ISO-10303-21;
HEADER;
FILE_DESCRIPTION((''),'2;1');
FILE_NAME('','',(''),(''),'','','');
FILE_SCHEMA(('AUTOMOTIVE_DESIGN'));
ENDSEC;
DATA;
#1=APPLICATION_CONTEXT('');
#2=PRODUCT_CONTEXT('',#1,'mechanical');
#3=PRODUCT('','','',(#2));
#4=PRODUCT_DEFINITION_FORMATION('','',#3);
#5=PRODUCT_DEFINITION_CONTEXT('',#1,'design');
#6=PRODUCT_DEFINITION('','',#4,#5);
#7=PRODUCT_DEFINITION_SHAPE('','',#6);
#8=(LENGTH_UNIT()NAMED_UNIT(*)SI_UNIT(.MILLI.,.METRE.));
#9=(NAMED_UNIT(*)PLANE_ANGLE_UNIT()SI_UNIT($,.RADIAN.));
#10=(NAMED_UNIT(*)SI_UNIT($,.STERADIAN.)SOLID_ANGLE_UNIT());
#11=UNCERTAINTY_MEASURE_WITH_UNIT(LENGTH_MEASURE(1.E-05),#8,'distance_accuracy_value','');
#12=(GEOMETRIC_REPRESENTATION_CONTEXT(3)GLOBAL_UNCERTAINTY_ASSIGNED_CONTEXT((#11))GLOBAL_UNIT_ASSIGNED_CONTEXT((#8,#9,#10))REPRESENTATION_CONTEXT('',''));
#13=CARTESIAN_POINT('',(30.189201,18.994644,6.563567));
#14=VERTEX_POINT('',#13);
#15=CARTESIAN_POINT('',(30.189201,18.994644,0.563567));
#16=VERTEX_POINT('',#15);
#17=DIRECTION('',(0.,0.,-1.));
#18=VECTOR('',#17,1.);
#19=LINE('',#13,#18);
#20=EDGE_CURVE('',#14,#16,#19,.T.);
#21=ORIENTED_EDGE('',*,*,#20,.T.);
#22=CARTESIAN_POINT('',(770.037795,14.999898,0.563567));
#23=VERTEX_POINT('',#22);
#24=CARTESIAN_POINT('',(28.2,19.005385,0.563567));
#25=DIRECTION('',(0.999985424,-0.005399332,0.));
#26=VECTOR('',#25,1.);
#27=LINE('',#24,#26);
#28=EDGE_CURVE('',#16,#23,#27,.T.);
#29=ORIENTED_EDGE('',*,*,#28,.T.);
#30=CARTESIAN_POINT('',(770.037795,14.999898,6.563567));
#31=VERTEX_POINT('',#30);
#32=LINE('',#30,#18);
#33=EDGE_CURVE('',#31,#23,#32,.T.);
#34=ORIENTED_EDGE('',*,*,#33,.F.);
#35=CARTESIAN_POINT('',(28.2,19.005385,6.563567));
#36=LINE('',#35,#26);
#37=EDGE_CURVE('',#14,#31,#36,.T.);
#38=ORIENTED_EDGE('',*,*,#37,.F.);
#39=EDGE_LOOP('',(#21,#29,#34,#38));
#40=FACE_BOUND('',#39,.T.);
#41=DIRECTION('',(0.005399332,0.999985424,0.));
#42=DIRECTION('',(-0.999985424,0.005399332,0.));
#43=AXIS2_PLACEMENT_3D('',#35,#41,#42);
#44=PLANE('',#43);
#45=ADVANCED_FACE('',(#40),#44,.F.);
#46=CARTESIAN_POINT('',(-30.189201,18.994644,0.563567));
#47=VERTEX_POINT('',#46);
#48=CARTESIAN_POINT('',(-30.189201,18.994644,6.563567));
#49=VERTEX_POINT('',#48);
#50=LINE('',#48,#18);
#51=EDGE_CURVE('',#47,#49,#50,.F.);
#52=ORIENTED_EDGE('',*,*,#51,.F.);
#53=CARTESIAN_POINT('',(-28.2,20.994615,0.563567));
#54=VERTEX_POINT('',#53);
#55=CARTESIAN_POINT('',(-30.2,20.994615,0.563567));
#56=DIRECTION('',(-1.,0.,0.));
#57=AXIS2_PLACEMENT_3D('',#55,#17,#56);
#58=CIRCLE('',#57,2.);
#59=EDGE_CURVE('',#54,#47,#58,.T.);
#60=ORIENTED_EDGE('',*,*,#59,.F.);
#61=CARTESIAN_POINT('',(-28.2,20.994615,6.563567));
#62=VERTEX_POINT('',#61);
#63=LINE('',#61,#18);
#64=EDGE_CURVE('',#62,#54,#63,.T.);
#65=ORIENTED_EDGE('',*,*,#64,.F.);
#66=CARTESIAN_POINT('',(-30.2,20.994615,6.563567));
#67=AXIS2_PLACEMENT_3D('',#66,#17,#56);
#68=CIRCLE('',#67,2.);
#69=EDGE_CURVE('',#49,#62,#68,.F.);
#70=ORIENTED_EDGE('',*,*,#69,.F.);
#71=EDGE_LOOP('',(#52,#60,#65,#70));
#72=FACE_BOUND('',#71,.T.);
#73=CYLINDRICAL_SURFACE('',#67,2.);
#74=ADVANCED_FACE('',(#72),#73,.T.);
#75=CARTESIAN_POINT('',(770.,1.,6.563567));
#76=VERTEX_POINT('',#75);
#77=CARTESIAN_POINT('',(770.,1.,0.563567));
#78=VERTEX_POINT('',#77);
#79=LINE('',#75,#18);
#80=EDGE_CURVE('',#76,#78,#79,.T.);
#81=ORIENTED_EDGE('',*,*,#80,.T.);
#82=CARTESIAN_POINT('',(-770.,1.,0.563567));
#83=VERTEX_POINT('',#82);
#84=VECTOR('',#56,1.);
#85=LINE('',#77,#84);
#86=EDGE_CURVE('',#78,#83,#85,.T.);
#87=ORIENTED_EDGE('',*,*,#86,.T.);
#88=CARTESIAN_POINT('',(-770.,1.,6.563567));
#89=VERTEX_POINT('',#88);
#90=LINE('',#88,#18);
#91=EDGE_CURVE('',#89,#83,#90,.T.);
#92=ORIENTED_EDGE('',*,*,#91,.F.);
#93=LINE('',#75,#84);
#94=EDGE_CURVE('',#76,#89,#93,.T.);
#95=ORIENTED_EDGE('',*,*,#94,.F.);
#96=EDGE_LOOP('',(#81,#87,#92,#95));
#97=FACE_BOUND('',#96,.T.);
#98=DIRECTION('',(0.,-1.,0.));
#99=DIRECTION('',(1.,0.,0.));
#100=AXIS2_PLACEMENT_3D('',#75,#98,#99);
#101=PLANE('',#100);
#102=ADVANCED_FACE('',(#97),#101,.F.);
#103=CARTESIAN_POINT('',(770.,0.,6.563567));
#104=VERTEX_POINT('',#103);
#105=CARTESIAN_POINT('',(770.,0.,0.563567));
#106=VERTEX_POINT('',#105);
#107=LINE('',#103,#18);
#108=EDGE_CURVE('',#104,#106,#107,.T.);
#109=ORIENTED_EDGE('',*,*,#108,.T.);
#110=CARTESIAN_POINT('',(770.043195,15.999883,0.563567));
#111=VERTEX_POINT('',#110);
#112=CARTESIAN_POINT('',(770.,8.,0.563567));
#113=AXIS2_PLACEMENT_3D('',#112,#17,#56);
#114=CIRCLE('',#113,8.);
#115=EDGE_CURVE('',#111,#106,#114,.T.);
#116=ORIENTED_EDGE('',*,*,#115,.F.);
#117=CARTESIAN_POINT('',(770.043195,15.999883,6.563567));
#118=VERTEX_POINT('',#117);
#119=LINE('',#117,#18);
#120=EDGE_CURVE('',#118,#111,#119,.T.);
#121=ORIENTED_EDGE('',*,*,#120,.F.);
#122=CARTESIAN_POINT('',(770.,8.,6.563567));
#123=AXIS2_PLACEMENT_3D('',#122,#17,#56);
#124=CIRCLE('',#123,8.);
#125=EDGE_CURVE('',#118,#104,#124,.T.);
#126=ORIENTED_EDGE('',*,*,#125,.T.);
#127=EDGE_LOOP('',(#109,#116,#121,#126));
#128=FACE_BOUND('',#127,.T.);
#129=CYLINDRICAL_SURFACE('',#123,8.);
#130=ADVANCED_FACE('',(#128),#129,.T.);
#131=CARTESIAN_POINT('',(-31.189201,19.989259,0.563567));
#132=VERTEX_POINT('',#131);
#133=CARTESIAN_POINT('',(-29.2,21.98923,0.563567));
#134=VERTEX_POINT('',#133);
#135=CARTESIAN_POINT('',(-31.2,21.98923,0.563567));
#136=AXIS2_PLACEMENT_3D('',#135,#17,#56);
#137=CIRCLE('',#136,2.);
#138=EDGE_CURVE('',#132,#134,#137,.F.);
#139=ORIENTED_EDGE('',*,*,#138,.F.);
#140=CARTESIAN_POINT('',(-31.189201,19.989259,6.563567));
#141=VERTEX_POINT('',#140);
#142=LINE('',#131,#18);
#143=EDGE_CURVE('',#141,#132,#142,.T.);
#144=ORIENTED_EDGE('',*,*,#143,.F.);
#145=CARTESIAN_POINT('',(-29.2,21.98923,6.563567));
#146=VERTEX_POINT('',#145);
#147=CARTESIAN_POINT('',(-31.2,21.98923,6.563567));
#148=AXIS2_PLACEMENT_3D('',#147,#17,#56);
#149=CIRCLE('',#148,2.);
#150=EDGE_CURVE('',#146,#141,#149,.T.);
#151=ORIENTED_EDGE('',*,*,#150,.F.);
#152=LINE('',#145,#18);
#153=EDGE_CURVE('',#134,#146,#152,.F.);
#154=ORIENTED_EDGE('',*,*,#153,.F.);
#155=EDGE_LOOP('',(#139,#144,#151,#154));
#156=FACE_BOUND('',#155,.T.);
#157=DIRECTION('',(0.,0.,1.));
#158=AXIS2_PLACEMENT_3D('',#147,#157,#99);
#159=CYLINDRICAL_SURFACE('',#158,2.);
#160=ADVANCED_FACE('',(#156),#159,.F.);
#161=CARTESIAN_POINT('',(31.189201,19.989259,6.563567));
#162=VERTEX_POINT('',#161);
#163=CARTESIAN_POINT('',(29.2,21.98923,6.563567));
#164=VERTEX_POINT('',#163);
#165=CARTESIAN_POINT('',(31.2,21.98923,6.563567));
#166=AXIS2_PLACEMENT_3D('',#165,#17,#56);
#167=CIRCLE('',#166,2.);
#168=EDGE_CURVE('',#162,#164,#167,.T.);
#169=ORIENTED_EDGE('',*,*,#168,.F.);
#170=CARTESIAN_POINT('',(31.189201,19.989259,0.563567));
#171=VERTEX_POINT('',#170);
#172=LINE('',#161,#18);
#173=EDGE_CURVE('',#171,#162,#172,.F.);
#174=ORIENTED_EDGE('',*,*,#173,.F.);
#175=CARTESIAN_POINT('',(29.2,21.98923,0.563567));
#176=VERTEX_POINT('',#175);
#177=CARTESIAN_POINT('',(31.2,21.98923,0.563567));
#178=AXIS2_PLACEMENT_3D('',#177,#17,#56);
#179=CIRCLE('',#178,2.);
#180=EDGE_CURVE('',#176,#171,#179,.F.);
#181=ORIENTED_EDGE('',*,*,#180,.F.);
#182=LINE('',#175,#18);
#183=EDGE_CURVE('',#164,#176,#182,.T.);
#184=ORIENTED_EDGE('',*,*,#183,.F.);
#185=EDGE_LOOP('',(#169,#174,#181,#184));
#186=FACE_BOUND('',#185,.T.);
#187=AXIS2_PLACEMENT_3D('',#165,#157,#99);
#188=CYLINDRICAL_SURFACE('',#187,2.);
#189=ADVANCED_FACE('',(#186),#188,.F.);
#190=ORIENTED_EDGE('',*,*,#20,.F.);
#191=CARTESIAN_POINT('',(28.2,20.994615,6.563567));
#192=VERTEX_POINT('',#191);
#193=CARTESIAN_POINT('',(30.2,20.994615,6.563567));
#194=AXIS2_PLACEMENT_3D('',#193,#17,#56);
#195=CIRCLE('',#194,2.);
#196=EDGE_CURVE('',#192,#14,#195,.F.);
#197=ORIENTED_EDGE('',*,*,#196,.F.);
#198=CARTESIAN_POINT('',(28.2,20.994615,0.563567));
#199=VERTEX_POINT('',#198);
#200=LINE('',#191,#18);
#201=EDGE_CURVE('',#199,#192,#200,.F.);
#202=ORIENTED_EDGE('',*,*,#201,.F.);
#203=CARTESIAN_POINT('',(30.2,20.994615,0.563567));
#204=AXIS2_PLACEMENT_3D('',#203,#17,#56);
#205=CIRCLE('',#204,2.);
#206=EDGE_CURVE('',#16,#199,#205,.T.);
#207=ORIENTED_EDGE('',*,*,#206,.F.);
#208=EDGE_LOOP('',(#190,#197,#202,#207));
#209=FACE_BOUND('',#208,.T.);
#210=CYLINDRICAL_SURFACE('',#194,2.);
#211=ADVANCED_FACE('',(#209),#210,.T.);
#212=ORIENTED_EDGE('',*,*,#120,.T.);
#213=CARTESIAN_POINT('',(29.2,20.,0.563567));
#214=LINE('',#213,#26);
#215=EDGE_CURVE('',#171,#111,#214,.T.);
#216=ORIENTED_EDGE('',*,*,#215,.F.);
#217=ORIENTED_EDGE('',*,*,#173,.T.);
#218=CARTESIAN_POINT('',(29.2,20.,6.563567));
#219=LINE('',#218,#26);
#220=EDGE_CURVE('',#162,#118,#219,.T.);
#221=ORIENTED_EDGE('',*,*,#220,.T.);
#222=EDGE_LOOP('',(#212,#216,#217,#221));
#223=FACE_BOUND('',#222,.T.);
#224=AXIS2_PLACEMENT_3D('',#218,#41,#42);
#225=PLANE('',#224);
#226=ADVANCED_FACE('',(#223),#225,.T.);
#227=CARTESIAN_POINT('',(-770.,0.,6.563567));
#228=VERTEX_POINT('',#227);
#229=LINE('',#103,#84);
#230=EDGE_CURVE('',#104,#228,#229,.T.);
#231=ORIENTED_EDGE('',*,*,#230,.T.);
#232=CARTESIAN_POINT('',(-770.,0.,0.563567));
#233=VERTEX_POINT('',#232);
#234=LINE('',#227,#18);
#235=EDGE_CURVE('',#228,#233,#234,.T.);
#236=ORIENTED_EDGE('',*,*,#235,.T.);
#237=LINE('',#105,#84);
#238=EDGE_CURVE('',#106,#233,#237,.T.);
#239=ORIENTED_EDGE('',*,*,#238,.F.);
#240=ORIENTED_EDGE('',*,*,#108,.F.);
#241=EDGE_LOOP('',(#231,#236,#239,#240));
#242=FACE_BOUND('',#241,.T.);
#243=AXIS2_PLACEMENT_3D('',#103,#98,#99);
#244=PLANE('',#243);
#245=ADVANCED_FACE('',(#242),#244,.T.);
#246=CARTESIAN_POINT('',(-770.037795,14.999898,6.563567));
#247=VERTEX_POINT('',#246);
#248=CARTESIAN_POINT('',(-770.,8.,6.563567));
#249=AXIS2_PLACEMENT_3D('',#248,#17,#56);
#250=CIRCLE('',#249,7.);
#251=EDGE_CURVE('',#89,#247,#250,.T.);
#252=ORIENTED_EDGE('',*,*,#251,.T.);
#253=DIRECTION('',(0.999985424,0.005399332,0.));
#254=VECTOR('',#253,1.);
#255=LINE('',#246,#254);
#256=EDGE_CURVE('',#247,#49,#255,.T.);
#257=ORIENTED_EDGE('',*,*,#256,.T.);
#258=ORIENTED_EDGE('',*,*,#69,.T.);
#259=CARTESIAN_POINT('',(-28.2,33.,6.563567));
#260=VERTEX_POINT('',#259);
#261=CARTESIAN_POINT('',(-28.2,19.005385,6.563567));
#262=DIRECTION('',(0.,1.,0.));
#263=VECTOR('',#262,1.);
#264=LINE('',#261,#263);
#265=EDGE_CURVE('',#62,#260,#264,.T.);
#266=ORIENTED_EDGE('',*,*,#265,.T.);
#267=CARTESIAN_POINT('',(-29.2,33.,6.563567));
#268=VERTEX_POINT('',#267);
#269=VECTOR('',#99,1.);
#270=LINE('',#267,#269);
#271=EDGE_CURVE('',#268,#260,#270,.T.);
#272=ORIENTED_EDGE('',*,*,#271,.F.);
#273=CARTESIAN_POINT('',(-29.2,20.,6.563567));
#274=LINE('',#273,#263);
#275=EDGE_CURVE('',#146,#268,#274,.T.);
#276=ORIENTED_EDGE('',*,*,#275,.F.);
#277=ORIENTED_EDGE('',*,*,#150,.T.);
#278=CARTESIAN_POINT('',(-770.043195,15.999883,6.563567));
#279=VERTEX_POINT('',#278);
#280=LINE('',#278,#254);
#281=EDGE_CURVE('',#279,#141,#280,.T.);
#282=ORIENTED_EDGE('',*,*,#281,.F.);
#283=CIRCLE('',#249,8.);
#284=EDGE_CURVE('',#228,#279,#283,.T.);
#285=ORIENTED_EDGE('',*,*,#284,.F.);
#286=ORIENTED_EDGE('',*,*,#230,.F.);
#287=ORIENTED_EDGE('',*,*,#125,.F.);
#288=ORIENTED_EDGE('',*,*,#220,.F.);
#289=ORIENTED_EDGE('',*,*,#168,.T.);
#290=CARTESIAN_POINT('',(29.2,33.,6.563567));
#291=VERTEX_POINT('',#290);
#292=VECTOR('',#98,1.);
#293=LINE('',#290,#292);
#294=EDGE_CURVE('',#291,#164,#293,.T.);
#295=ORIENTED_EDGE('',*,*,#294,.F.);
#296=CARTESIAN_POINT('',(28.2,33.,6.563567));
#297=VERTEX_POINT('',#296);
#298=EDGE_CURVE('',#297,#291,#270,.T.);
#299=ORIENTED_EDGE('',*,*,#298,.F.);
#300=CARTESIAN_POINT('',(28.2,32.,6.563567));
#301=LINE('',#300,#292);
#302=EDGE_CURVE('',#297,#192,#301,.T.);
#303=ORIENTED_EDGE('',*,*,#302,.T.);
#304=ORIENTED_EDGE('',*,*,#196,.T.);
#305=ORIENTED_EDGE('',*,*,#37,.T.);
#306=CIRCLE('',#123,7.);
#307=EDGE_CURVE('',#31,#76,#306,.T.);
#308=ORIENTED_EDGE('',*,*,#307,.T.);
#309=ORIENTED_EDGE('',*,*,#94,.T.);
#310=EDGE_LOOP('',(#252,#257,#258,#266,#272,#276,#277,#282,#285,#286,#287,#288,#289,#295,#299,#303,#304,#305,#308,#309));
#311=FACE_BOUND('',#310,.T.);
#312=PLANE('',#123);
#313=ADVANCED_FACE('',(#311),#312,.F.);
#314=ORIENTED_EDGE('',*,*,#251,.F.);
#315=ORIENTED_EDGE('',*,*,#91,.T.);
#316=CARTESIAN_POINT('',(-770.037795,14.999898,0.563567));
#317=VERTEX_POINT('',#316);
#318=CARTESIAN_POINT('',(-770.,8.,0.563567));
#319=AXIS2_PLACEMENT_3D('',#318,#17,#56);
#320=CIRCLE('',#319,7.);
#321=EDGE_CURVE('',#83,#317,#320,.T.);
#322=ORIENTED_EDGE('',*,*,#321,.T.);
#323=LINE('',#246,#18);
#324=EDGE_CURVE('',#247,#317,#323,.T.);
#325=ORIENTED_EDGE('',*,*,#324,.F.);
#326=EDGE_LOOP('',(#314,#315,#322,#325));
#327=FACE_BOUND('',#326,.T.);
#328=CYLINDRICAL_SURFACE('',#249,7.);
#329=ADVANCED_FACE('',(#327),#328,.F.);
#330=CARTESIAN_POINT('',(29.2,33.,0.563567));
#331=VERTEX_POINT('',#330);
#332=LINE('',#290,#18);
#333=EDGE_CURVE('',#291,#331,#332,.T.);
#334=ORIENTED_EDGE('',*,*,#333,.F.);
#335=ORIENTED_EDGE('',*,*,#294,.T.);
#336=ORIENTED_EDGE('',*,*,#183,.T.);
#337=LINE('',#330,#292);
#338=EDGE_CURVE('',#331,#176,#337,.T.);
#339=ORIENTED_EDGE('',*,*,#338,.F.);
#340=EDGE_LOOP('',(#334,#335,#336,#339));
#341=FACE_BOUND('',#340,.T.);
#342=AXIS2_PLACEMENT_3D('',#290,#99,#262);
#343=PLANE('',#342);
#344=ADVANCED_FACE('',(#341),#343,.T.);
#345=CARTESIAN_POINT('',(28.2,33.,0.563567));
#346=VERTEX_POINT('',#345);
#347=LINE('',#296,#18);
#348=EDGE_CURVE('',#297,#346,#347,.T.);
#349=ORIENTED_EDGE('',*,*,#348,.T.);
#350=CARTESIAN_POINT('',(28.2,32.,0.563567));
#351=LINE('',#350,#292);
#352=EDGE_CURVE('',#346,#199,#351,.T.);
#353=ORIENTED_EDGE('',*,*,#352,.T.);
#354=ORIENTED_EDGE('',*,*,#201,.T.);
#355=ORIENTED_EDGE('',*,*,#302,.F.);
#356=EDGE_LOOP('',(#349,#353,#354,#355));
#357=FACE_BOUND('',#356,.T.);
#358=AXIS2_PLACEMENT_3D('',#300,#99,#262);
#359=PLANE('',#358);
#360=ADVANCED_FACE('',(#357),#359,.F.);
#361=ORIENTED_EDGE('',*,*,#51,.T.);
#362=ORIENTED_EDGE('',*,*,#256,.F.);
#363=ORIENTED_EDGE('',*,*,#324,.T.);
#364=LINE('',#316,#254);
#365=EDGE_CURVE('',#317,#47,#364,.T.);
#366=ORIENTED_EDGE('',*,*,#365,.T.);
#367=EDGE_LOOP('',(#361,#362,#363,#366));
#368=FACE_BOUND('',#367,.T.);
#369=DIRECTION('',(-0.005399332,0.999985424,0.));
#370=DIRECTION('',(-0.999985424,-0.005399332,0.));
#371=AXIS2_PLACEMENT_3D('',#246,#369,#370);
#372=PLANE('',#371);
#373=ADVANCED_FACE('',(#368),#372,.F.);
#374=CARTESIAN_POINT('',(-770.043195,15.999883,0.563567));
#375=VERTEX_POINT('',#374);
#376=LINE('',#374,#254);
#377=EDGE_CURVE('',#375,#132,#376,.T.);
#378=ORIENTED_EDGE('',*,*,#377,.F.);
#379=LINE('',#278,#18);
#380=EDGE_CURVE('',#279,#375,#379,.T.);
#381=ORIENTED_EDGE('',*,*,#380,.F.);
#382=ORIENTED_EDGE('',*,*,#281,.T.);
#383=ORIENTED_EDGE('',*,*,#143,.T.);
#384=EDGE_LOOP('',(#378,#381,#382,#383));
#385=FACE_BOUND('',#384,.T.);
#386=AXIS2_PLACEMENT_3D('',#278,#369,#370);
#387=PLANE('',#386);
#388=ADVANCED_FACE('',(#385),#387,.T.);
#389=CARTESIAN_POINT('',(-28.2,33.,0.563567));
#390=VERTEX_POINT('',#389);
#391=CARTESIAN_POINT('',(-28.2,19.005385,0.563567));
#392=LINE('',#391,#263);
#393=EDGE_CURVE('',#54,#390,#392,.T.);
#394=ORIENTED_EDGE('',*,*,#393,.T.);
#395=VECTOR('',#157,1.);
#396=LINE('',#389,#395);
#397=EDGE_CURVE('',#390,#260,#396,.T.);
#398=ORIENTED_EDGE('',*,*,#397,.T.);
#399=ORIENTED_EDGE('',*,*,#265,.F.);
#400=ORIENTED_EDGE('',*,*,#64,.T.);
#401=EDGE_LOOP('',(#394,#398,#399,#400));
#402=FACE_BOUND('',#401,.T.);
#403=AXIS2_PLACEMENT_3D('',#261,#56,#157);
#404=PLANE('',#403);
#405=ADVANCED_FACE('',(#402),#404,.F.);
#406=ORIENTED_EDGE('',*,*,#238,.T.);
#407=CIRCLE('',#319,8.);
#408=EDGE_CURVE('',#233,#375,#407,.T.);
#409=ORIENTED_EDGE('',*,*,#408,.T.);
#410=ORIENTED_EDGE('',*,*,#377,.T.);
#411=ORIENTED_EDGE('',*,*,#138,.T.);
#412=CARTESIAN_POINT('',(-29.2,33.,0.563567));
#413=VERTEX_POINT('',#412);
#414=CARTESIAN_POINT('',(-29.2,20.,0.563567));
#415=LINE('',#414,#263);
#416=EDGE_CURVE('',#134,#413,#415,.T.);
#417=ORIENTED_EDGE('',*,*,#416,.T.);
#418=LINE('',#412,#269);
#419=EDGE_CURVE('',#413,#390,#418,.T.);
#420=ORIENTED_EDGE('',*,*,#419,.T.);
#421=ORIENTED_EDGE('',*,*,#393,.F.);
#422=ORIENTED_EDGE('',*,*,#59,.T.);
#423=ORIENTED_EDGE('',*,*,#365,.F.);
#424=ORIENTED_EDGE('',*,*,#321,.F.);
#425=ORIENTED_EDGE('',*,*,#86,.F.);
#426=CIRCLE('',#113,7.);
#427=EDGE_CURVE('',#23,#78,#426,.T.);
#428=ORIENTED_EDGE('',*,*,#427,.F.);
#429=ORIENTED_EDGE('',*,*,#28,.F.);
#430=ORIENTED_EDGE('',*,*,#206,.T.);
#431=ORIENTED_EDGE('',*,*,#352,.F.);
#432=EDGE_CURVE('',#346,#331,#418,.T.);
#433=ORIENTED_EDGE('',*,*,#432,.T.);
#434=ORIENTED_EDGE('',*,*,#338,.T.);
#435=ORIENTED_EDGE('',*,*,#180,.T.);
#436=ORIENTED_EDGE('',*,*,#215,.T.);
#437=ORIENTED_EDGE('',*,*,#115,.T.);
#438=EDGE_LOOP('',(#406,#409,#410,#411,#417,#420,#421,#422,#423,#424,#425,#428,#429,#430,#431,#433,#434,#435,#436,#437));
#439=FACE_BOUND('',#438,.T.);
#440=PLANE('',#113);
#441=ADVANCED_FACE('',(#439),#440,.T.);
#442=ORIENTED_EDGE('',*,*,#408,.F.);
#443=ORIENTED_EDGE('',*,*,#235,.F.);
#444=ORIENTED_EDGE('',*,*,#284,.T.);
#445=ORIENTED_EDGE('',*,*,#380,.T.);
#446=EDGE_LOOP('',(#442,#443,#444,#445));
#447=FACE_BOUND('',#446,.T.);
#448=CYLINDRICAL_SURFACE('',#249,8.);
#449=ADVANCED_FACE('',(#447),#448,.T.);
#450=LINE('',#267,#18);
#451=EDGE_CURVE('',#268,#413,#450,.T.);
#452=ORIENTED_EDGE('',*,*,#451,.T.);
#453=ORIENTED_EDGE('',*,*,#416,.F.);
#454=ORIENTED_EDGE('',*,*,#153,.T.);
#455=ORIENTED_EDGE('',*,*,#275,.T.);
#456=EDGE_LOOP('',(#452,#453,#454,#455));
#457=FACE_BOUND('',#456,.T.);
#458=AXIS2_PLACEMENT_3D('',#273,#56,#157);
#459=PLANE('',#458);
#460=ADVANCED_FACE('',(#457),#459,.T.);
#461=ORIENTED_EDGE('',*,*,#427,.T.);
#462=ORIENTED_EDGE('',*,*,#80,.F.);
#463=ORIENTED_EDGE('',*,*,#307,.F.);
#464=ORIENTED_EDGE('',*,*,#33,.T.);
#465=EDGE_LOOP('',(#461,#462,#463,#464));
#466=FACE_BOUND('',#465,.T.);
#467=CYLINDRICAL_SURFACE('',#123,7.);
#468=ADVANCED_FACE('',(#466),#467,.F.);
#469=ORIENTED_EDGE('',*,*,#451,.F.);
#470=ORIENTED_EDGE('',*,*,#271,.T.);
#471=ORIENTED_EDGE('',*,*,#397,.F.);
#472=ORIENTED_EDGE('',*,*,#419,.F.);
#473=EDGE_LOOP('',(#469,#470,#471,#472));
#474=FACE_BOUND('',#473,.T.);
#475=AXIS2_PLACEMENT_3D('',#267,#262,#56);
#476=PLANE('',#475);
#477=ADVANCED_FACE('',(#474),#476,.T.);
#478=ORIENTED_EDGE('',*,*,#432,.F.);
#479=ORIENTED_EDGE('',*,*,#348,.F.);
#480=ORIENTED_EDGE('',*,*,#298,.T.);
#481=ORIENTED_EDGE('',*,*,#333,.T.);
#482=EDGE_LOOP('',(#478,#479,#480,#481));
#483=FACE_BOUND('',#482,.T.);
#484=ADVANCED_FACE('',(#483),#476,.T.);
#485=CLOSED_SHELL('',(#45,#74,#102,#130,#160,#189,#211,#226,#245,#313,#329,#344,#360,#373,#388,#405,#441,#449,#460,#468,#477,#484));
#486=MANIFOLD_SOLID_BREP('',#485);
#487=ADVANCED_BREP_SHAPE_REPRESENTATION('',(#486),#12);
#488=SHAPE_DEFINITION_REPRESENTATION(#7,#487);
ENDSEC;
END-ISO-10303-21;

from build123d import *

# Parameters (mm, degrees)
BOSS_EXTRUDE1_DEPTH = 6
CUT_EXTRUDE1_DEPTH  = 779.722672073
FILLET1_R           = 2
SKETCH4_W           = 56.4
SKETCH4_H           = 6
CUT_EXTRUDE4_DEPTH  = 1


with BuildPart() as part:
    # Sketch1 → Boss-Extrude1 (new body)
    with BuildSketch(Plane(origin=(0, 0, 0.563566935), x_dir=(-1, 0, 0), z_dir=(0, 0, -1))):
        with BuildLine():
            Line((29.2, 33), (-29.2, 33))
            Line((-29.2, 33), (-29.2, 20))
            Line((-29.2, 20), (-770.043194655, 15.999883388))
            ThreePointArc((-770.043194655, 15.999883388), (-777.999970847, 7.978402594), (-770, 0))
            Line((-770, 0), (770, 0))
            ThreePointArc((770, 0), (777.999970847, 7.978402594), (770.043194655, 15.999883388))
            Line((770.043194655, 15.999883388), (29.2, 20))
            Line((29.2, 20), (29.2, 33))
        make_face()
    extrude(amount=-BOSS_EXTRUDE1_DEPTH)

    # Sketch2 → Cut-Extrude1 (cut, through all)
    with BuildSketch(Plane(origin=(0, 0, 0.563566935), x_dir=(-1, 0, 0), z_dir=(0, 0, -1))):
        with BuildLine():
            Line((28.2, 19.005384834), (28.2, 32))
            Line((28.2, 32), (-28.2, 32))
            Line((-28.2, 32), (-28.2, 19.005384834))
            Line((-28.2, 19.005384834), (-770.037795323, 14.999897965))
            ThreePointArc((-770.037795323, 14.999897965), (-776.999974491, 7.981102269), (-770, 1))
            Line((-770, 1), (770, 1))
            ThreePointArc((770, 1), (776.999974491, 7.981102269), (770.037795323, 14.999897965))
            Line((770.037795323, 14.999897965), (28.2, 19.005384834))
        make_face()
    extrude(amount=-CUT_EXTRUDE1_DEPTH, mode=Mode.SUBTRACT)

    # Fillet1
    fillet1_edges = [part.edges().sort_by_distance(p)[0] for p in [
        (-29.2, 20, 3.563566935),
        (29.2, 20, 3.563566935),
        (-28.2, 19.005384834, 3.563566935),
        (28.2, 19.005384834, 3.563566935),
    ]]
    fillet(fillet1_edges, radius=FILLET1_R)

    # Sketch4 → Cut-Extrude4 (cut)
    with BuildSketch(Plane(origin=(0, 33, 0), x_dir=(-1, 0, 0), z_dir=(0, 1, 0))):
        with Locations((0, 3.563566935)):
            Rectangle(SKETCH4_W, SKETCH4_H)
    extrude(amount=-CUT_EXTRUDE4_DEPTH, mode=Mode.SUBTRACT)


solid = part.part
